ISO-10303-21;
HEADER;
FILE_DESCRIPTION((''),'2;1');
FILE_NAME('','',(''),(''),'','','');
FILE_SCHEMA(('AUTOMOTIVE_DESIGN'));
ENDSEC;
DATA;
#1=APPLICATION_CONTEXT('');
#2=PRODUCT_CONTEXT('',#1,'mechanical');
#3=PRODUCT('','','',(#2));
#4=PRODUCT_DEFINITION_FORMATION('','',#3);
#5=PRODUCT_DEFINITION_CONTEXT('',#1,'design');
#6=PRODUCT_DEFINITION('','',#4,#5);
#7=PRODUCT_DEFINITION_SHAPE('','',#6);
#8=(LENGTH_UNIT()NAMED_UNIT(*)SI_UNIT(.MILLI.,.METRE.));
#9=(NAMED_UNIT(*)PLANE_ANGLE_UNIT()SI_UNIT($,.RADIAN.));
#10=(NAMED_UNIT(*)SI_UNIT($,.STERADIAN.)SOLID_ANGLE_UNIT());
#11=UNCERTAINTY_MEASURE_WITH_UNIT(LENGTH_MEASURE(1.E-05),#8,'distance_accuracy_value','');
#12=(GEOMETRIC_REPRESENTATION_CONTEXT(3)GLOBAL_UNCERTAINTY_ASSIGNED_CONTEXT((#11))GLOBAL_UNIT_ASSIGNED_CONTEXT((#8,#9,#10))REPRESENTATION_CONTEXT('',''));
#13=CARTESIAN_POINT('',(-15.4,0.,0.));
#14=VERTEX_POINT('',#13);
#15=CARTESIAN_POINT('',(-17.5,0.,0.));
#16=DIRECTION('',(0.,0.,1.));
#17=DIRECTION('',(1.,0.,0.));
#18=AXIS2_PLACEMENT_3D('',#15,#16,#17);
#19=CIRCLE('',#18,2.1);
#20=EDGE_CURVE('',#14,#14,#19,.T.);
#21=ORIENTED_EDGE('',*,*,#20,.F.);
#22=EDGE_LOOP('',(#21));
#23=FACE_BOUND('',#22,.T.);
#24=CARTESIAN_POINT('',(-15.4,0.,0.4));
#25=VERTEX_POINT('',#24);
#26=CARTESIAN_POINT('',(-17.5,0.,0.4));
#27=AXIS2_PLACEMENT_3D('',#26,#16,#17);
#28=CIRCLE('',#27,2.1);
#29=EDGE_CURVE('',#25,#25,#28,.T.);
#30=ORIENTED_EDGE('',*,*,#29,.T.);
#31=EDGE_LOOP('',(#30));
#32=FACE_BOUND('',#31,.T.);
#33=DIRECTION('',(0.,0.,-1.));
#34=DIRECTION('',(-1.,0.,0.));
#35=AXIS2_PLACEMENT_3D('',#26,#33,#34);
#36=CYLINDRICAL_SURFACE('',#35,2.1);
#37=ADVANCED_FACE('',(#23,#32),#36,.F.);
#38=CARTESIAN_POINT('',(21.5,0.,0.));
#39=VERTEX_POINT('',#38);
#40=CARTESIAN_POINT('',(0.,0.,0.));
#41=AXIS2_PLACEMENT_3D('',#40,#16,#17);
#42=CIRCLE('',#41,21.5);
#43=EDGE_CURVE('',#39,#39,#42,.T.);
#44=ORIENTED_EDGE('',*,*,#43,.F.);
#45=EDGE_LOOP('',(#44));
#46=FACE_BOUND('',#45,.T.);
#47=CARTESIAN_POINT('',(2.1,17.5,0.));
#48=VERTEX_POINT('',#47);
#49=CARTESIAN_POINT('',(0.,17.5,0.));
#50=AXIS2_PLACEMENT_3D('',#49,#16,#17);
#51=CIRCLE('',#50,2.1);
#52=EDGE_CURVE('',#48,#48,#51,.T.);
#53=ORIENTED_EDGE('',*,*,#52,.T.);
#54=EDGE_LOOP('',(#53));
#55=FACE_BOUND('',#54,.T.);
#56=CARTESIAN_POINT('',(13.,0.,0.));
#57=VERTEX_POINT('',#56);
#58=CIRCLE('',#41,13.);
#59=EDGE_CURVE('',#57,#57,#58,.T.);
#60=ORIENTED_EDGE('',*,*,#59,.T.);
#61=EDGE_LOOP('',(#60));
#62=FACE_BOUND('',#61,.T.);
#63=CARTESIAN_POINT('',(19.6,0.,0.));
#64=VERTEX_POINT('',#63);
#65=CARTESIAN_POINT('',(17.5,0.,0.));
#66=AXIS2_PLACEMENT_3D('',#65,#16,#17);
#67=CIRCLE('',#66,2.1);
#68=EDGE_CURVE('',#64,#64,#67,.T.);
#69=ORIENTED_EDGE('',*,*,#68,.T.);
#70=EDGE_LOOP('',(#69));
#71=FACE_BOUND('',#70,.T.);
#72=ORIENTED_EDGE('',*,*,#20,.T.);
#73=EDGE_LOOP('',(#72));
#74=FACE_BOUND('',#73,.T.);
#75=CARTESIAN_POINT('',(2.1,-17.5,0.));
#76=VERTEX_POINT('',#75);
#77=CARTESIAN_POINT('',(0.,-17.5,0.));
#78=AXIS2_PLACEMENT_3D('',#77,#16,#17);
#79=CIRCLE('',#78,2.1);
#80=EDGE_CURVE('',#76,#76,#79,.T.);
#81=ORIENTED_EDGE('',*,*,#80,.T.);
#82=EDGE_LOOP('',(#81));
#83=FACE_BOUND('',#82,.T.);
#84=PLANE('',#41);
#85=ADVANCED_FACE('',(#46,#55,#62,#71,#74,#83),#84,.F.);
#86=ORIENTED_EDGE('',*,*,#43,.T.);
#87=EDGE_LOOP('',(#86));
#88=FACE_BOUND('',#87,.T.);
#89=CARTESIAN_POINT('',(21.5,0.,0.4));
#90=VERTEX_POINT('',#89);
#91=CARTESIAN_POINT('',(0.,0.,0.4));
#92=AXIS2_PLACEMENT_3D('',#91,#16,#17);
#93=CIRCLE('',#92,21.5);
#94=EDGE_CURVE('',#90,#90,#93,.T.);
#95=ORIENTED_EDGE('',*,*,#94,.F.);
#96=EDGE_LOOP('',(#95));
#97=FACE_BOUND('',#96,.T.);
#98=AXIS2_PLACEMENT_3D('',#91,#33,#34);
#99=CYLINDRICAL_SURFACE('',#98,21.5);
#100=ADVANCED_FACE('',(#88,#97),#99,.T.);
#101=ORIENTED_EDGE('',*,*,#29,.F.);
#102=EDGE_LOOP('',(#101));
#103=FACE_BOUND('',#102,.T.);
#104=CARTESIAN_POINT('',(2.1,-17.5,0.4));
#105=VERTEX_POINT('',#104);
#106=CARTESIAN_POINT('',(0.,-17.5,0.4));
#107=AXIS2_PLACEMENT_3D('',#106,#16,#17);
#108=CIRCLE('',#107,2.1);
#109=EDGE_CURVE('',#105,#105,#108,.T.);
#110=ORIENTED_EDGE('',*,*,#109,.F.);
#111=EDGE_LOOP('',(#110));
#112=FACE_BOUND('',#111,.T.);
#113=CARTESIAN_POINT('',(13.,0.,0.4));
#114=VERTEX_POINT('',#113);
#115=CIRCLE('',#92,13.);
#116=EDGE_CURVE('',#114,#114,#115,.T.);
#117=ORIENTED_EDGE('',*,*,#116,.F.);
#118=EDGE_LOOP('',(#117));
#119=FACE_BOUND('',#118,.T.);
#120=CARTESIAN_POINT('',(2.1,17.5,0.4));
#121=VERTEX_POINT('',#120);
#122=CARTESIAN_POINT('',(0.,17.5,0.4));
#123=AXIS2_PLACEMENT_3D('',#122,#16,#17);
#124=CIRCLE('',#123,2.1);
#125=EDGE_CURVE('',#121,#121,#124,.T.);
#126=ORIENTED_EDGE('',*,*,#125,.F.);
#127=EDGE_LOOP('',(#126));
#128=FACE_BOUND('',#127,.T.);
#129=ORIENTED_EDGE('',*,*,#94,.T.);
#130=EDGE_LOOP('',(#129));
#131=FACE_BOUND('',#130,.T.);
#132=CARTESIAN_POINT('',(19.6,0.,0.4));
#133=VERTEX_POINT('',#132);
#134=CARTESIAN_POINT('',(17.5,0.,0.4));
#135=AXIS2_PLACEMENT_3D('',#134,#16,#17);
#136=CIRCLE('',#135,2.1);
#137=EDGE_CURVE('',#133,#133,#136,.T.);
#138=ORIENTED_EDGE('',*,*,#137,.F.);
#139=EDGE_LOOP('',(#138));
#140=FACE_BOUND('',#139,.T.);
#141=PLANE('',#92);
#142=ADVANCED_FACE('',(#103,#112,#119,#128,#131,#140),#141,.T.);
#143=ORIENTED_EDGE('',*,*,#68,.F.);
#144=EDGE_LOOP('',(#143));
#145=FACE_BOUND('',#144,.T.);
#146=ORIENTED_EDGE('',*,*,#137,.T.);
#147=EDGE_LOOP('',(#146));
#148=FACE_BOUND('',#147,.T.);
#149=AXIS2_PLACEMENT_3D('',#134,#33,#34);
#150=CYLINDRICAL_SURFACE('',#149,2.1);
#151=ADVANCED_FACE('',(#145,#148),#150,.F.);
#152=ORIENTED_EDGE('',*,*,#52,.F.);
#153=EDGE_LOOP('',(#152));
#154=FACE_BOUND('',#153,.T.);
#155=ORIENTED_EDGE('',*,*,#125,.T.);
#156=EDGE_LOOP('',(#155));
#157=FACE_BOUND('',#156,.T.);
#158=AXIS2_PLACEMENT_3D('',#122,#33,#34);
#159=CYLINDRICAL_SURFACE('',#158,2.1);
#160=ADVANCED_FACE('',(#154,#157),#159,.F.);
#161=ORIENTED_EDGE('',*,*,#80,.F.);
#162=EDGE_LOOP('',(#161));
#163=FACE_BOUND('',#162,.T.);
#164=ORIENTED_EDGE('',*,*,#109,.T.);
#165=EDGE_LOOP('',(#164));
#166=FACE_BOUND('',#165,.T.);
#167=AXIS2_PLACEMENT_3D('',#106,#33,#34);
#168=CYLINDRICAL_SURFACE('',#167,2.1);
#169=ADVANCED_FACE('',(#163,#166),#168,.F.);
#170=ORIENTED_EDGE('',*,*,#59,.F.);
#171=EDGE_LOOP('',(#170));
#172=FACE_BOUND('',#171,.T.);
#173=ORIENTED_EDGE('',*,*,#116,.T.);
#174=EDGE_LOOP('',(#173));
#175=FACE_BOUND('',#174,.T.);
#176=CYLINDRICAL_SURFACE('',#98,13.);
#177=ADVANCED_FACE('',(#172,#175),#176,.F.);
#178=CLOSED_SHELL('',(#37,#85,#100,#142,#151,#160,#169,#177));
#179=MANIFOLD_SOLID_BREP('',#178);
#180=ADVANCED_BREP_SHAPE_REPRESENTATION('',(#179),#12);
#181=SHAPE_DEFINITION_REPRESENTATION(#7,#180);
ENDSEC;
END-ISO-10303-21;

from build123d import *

# Parameters (mm, degrees)
SKETCH1_R           = 2.1
SKETCH1_R_2         = 13
BOSS_EXTRUDE1_DEPTH = 0.4
BOSS_EXTRUDE2_DEPTH = 0.4


with BuildPart() as part:
    # Sketch1 → Boss-Extrude1 (new body)
    with BuildSketch(Plane(origin=(0, 0, 0), x_dir=(0, 1, 0), z_dir=(0, 0, 1))):
        with BuildLine():
            ThreePointArc((21.242857143, -3.31527079), (21.435617889, -1.662614121), (21.5, 0))
            ThreePointArc((21.5, 0), (21.435617889, 1.662614121), (21.242857143, 3.31527079))
            ThreePointArc((21.242857143, 3.31527079), (19.220493395, 4.694667451), (16.785714286, 4.948716593))
            ThreePointArc((16.785714286, 4.948716593), (12.374368671, 12.374368671), (4.948716593, 16.785714286))
            ThreePointArc((4.948716593, 16.785714286), (4.694667451, 19.220493395), (3.31527079, 21.242857143))
            ThreePointArc((3.31527079, 21.242857143), (0, 21.5), (-3.31527079, 21.242857143))
            ThreePointArc((-3.31527079, 21.242857143), (-4.694667451, 19.220493395), (-4.948716593, 16.785714286))
            ThreePointArc((-4.948716593, 16.785714286), (-12.374368671, 12.374368671), (-16.785714286, 4.948716593))
            ThreePointArc((-16.785714286, 4.948716593), (-19.220493395, 4.694667451), (-21.242857143, 3.31527079))
            ThreePointArc((-21.242857143, 3.31527079), (-21.5, 0), (-21.242857143, -3.31527079))
            ThreePointArc((-21.242857143, -3.31527079), (-19.220493395, -4.694667451), (-16.785714286, -4.948716593))
            ThreePointArc((-16.785714286, -4.948716593), (-12.374368671, -12.374368671), (-4.948716593, -16.785714286))
            ThreePointArc((-4.948716593, -16.785714286), (-4.694667451, -19.220493395), (-3.31527079, -21.242857143))
            ThreePointArc((-3.31527079, -21.242857143), (0, -21.5), (3.31527079, -21.242857143))
            ThreePointArc((3.31527079, -21.242857143), (4.694667451, -19.220493395), (4.948716593, -16.785714286))
            ThreePointArc((4.948716593, -16.785714286), (12.374368671, -12.374368671), (16.785714286, -4.948716593))
            ThreePointArc((16.785714286, -4.948716593), (19.220493395, -4.694667451), (21.242857143, -3.31527079))
        make_face()
        with Locations((0, -17.5)):
            Circle(SKETCH1_R, mode=Mode.SUBTRACT)
        Circle(SKETCH1_R_2, mode=Mode.SUBTRACT)
        with Locations((17.5, 0)):
            Circle(SKETCH1_R, mode=Mode.SUBTRACT)
        with Locations((-17.5, 0)):
            Circle(SKETCH1_R, mode=Mode.SUBTRACT)
        with Locations((0, 17.5)):
            Circle(SKETCH1_R, mode=Mode.SUBTRACT)
    extrude(amount=BOSS_EXTRUDE1_DEPTH)

    # Sketch1_4 → Boss-Extrude2 (add)
    with BuildSketch(Plane(origin=(0, 0, 0), x_dir=(0, 1, 0), z_dir=(0, 0, 1))):
        with BuildLine():
            ThreePointArc((-21.242857143, -3.31527079), (-15.202795796, -15.202795796), (-3.31527079, -21.242857143))
            ThreePointArc((-3.31527079, -21.242857143), (-4.694667451, -19.220493395), (-4.948716593, -16.785714286))
            ThreePointArc((-4.948716593, -16.785714286), (-12.374368671, -12.374368671), (-16.785714286, -4.948716593))
            ThreePointArc((-16.785714286, -4.948716593), (-19.220493395, -4.694667451), (-21.242857143, -3.31527079))
        make_face()
        with BuildLine():
            ThreePointArc((-4.948716593, 16.785714286), (-4.694667451, 19.220493395), (-3.31527079, 21.242857143))
            ThreePointArc((-3.31527079, 21.242857143), (-15.202795796, 15.202795796), (-21.242857143, 3.31527079))
            ThreePointArc((-21.242857143, 3.31527079), (-19.220493395, 4.694667451), (-16.785714286, 4.948716593))
            ThreePointArc((-16.785714286, 4.948716593), (-12.374368671, 12.374368671), (-4.948716593, 16.785714286))
        make_face()
        with BuildLine():
            ThreePointArc((16.785714286, 4.948716593), (19.220493395, 4.694667451), (21.242857143, 3.31527079))
            ThreePointArc((21.242857143, 3.31527079), (15.202795796, 15.202795796), (3.31527079, 21.242857143))
            ThreePointArc((3.31527079, 21.242857143), (4.694667451, 19.220493395), (4.948716593, 16.785714286))
            ThreePointArc((4.948716593, 16.785714286), (12.374368671, 12.374368671), (16.785714286, 4.948716593))
        make_face()
        with BuildLine():
            ThreePointArc((3.31527079, -21.242857143), (15.202795796, -15.202795796), (21.242857143, -3.31527079))
            ThreePointArc((21.242857143, -3.31527079), (19.220493395, -4.694667451), (16.785714286, -4.948716593))
            ThreePointArc((16.785714286, -4.948716593), (12.374368671, -12.374368671), (4.948716593, -16.785714286))
            ThreePointArc((4.948716593, -16.785714286), (4.694667451, -19.220493395), (3.31527079, -21.242857143))
        make_face()
    extrude(amount=BOSS_EXTRUDE2_DEPTH)


solid = part.part
